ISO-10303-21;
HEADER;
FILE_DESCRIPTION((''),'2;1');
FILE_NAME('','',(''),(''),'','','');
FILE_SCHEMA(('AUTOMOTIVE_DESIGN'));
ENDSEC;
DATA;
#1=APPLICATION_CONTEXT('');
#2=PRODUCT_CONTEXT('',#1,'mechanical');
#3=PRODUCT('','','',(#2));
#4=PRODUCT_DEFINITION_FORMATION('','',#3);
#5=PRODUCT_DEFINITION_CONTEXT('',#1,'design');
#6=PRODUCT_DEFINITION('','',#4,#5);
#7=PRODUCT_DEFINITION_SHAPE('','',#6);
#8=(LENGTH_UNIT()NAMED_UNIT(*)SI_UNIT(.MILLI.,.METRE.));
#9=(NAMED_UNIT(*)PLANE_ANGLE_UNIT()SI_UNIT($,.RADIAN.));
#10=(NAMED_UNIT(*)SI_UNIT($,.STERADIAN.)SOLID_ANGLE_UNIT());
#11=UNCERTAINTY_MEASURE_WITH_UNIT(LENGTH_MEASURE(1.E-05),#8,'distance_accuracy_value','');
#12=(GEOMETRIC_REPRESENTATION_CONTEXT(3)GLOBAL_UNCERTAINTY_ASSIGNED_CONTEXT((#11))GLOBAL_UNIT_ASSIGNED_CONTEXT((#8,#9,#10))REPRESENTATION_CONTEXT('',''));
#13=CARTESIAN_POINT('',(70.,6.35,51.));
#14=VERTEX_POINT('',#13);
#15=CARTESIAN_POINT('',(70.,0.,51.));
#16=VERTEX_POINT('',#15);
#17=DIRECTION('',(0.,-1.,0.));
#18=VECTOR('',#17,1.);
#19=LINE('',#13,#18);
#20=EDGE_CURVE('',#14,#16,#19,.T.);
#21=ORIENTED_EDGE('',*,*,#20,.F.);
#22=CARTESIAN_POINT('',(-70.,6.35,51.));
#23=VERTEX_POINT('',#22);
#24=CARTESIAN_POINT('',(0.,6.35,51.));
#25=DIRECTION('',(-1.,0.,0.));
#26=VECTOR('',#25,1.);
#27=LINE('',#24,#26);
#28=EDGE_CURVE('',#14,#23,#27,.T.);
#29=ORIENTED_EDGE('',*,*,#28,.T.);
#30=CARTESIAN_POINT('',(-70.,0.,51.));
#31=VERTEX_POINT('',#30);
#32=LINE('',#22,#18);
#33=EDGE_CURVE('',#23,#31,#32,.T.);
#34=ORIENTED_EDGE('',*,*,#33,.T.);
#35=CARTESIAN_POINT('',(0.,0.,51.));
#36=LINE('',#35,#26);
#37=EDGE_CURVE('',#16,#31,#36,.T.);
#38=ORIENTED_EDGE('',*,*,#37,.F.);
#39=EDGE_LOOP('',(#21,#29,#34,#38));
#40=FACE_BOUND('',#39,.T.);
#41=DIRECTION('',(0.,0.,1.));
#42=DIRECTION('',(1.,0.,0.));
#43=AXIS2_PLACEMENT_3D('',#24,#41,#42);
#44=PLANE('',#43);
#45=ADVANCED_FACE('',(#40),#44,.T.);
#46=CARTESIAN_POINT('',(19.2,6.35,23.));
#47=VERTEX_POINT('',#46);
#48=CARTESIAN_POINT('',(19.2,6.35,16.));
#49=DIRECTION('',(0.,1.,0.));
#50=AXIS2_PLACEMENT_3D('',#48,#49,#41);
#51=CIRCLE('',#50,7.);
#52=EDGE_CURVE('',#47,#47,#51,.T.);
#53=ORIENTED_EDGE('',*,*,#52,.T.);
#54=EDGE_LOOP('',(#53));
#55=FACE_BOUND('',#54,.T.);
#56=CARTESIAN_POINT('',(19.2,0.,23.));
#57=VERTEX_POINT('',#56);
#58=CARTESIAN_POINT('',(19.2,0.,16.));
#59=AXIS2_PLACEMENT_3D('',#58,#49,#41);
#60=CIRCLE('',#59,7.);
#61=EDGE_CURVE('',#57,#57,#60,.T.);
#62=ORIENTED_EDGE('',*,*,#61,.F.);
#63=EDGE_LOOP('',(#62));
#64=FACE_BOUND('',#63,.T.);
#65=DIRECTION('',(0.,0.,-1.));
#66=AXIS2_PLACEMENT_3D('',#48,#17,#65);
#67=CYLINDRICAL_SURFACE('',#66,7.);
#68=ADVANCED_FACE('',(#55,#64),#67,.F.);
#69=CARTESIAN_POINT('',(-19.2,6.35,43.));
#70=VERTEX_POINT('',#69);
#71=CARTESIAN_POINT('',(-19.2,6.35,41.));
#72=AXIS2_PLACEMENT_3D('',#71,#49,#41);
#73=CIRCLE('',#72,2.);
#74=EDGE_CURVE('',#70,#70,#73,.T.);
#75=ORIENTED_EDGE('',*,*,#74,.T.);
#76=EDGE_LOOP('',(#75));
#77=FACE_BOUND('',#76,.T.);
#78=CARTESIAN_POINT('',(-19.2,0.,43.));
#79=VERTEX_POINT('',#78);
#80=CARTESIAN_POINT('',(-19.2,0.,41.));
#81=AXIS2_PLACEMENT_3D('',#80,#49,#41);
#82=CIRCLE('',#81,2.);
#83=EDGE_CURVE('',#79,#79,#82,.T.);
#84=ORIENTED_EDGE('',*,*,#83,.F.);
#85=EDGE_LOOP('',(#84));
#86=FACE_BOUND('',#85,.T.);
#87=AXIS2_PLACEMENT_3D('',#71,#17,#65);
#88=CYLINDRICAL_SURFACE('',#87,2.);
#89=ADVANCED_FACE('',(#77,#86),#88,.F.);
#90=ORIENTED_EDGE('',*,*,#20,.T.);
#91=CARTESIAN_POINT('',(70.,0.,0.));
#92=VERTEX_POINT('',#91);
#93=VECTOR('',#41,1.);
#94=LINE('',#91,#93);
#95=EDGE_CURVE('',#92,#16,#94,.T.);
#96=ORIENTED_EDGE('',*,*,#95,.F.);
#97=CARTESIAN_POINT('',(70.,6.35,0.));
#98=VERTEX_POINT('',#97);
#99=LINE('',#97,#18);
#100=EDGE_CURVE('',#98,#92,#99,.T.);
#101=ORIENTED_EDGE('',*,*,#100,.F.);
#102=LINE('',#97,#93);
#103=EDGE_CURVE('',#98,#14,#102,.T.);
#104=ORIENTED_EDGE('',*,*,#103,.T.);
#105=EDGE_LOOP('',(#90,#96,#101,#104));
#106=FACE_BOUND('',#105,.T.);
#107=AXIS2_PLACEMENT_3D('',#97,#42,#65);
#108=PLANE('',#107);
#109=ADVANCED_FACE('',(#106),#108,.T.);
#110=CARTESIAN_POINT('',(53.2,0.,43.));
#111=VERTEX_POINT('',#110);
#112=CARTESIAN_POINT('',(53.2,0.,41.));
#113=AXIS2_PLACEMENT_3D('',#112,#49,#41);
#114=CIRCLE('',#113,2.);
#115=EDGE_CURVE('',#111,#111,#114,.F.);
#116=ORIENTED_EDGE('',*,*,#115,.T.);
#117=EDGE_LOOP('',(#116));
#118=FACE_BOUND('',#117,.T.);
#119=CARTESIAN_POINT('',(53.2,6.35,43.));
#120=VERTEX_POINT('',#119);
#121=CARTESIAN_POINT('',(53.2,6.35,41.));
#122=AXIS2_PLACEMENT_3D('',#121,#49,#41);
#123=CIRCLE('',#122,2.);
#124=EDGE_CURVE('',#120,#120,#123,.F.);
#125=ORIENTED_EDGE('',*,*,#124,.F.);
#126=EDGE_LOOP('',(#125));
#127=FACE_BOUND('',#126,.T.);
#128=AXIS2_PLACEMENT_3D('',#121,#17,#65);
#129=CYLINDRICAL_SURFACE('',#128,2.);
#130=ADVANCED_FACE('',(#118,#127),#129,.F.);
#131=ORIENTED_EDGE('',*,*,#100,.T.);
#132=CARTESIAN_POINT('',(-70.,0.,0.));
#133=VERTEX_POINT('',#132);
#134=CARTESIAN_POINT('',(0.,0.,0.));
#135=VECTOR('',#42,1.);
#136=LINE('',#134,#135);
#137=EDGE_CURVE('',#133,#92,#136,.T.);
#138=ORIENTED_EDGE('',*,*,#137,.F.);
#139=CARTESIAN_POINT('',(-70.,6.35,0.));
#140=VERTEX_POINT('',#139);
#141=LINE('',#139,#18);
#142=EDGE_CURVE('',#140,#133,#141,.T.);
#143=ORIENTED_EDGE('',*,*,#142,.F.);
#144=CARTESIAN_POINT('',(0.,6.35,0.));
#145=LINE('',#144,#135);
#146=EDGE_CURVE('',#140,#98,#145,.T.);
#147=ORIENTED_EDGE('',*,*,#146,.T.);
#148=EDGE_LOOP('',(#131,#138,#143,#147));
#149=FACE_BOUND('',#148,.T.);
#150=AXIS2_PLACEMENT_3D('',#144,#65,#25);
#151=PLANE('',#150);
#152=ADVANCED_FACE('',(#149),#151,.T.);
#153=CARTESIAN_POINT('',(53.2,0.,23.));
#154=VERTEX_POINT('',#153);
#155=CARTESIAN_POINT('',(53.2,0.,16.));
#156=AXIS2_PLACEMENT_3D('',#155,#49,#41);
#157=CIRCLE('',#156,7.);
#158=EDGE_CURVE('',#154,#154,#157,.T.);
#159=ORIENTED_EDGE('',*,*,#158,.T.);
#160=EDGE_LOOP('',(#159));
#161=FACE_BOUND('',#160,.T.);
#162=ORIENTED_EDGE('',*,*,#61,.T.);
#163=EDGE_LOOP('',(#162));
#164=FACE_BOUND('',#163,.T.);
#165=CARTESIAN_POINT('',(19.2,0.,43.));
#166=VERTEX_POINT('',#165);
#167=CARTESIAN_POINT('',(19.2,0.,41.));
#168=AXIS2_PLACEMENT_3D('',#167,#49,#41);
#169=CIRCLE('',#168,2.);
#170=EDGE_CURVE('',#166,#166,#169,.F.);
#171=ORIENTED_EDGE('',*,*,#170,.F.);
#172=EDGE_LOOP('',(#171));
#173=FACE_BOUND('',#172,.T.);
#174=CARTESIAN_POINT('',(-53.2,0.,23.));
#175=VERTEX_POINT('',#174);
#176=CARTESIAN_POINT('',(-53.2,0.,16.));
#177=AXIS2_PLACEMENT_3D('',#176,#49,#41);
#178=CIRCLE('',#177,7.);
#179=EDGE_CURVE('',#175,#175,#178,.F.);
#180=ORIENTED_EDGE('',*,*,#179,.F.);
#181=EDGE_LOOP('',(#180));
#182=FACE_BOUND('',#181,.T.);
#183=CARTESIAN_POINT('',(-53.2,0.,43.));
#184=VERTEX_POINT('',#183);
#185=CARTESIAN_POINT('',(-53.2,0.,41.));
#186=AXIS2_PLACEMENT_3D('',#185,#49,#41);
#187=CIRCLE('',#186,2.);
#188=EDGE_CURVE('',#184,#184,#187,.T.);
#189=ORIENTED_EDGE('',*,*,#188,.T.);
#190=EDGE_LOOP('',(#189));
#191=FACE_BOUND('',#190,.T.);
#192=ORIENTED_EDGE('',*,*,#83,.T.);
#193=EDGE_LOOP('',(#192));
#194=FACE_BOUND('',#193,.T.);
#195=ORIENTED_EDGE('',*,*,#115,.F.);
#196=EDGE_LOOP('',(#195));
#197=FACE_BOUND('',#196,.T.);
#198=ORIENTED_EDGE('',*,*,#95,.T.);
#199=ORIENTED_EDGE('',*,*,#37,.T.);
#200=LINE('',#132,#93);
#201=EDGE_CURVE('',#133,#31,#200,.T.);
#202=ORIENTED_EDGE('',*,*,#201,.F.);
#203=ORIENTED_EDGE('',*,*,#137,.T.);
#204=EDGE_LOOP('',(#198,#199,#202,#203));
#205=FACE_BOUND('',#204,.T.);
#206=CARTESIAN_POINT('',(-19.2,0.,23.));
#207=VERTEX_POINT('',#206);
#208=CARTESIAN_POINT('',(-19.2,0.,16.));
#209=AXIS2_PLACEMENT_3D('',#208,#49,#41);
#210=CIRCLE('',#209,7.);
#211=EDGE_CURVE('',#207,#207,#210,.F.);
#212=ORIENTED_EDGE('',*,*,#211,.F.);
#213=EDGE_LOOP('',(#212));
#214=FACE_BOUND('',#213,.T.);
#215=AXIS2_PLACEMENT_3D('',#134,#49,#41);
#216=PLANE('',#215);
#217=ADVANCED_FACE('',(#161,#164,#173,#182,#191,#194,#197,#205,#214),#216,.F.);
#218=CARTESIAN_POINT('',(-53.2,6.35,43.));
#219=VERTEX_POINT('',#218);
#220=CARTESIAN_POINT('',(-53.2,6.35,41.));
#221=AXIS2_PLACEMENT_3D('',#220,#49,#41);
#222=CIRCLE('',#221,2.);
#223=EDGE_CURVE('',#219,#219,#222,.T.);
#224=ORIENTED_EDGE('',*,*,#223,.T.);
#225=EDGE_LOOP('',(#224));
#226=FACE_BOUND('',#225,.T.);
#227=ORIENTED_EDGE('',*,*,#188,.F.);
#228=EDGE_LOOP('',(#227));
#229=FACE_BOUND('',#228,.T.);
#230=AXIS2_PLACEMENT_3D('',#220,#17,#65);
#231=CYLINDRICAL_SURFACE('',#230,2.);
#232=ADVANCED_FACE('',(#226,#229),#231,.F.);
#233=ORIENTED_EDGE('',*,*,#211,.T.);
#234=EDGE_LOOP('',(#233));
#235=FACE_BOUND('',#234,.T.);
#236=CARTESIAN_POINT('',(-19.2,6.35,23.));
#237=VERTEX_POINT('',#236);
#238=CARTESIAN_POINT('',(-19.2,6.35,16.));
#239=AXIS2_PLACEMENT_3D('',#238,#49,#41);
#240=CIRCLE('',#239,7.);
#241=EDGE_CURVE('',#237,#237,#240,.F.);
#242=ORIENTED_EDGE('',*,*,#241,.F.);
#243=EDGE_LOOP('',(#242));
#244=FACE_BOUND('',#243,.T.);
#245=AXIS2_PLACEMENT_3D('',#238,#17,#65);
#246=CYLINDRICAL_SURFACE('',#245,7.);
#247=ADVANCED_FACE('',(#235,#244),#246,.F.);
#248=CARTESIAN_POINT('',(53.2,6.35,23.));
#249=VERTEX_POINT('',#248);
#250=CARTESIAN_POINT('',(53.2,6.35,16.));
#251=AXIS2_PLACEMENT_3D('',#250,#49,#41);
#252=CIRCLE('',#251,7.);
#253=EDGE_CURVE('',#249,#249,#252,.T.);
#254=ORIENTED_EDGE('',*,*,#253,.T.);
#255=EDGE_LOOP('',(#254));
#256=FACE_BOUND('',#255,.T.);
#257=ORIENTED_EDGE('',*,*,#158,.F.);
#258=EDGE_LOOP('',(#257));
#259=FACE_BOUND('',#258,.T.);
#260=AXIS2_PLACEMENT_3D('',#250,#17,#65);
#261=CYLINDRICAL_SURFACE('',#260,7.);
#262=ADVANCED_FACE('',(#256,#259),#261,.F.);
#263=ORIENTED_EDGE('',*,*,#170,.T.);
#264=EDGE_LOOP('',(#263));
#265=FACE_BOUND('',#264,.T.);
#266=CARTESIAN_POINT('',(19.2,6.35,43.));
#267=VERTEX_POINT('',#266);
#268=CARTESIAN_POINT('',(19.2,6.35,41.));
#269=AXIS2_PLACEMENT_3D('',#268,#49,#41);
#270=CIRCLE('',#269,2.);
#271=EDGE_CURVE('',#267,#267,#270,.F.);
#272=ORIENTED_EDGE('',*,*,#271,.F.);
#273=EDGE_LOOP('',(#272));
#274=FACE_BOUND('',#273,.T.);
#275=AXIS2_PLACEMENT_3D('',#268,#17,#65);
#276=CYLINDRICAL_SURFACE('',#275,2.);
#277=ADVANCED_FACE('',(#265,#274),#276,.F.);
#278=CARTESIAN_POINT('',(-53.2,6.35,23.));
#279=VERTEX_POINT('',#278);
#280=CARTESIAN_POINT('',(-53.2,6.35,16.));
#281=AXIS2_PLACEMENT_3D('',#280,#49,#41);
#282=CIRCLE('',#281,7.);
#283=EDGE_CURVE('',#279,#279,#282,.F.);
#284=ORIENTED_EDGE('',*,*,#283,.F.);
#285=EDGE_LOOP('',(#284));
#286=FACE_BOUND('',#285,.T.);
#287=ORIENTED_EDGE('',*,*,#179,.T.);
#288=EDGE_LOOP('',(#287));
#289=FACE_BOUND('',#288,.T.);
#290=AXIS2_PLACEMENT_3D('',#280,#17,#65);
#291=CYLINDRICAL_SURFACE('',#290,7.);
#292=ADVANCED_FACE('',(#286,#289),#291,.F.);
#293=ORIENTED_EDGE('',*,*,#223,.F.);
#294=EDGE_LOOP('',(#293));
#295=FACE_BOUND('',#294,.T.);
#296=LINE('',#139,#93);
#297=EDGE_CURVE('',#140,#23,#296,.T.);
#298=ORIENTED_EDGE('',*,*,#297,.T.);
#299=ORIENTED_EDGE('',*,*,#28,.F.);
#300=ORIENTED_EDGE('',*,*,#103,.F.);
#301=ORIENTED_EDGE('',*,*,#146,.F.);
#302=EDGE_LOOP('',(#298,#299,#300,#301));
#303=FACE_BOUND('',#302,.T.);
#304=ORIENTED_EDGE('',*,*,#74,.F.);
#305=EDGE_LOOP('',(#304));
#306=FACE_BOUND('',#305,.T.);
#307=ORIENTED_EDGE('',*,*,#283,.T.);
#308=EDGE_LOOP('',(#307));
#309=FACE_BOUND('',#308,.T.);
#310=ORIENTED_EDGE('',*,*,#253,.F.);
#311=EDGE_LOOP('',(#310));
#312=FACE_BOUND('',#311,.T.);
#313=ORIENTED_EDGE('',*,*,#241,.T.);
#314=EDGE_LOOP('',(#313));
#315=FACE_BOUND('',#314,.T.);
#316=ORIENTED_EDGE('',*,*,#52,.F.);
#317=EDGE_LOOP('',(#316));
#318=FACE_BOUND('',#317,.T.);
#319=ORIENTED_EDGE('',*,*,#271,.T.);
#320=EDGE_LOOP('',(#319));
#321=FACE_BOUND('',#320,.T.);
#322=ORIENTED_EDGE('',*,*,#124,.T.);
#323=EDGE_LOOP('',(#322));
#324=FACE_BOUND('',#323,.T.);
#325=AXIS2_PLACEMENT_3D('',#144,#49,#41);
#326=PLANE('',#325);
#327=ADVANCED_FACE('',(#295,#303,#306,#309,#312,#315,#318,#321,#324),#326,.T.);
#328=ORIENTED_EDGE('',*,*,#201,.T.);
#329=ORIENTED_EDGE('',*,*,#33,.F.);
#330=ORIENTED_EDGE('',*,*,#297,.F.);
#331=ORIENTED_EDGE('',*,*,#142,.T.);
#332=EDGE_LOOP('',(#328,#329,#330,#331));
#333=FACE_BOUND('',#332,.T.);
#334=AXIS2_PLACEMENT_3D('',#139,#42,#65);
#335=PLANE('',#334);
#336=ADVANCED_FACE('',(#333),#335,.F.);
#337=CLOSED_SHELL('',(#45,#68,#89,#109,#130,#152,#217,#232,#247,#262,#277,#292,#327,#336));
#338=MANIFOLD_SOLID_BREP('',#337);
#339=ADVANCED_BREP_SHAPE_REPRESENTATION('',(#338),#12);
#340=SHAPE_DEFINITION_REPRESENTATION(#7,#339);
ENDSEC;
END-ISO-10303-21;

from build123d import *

# Parameters (mm, degrees)
SKETCH1_W           = 140
SKETCH1_H           = 51
SKETCH1_R           = 2
SKETCH1_R_2         = 7
BOSS_EXTRUDE1_DEPTH = 6.35


with BuildPart() as part:
    # Sketch1 → Boss-Extrude1 (new body)
    with BuildSketch(Plane(origin=(0, 0, 0), x_dir=(1, 0, 0), z_dir=(0, 1, 0))):
        with Locations((0, -25.5)):
            Rectangle(SKETCH1_W, SKETCH1_H)
        with Locations(Location((53.2, -41, 0), (0, 0, 270))):
            Circle(SKETCH1_R, mode=Mode.SUBTRACT)
        with Locations(Location((-53.2, -41, 0), (0, 0, 270))):
            Circle(SKETCH1_R, mode=Mode.SUBTRACT)
        with Locations(Location((-19.2, -41, 0), (0, 0, 270))):
            Circle(SKETCH1_R, mode=Mode.SUBTRACT)
        with Locations(Location((19.2, -41, 0), (0, 0, 270))):
            Circle(SKETCH1_R, mode=Mode.SUBTRACT)
        with Locations(Location((-53.2, -16, 0), (0, 0, 270))):
            Circle(SKETCH1_R_2, mode=Mode.SUBTRACT)
        with Locations(Location((-19.2, -16, 0), (0, 0, 270))):
            Circle(SKETCH1_R_2, mode=Mode.SUBTRACT)
        with Locations(Location((19.2, -16, 0), (0, 0, 270))):
            Circle(SKETCH1_R_2, mode=Mode.SUBTRACT)
        with Locations(Location((53.2, -16, 0), (0, 0, 270))):
            Circle(SKETCH1_R_2, mode=Mode.SUBTRACT)
    extrude(amount=BOSS_EXTRUDE1_DEPTH)


solid = part.part
